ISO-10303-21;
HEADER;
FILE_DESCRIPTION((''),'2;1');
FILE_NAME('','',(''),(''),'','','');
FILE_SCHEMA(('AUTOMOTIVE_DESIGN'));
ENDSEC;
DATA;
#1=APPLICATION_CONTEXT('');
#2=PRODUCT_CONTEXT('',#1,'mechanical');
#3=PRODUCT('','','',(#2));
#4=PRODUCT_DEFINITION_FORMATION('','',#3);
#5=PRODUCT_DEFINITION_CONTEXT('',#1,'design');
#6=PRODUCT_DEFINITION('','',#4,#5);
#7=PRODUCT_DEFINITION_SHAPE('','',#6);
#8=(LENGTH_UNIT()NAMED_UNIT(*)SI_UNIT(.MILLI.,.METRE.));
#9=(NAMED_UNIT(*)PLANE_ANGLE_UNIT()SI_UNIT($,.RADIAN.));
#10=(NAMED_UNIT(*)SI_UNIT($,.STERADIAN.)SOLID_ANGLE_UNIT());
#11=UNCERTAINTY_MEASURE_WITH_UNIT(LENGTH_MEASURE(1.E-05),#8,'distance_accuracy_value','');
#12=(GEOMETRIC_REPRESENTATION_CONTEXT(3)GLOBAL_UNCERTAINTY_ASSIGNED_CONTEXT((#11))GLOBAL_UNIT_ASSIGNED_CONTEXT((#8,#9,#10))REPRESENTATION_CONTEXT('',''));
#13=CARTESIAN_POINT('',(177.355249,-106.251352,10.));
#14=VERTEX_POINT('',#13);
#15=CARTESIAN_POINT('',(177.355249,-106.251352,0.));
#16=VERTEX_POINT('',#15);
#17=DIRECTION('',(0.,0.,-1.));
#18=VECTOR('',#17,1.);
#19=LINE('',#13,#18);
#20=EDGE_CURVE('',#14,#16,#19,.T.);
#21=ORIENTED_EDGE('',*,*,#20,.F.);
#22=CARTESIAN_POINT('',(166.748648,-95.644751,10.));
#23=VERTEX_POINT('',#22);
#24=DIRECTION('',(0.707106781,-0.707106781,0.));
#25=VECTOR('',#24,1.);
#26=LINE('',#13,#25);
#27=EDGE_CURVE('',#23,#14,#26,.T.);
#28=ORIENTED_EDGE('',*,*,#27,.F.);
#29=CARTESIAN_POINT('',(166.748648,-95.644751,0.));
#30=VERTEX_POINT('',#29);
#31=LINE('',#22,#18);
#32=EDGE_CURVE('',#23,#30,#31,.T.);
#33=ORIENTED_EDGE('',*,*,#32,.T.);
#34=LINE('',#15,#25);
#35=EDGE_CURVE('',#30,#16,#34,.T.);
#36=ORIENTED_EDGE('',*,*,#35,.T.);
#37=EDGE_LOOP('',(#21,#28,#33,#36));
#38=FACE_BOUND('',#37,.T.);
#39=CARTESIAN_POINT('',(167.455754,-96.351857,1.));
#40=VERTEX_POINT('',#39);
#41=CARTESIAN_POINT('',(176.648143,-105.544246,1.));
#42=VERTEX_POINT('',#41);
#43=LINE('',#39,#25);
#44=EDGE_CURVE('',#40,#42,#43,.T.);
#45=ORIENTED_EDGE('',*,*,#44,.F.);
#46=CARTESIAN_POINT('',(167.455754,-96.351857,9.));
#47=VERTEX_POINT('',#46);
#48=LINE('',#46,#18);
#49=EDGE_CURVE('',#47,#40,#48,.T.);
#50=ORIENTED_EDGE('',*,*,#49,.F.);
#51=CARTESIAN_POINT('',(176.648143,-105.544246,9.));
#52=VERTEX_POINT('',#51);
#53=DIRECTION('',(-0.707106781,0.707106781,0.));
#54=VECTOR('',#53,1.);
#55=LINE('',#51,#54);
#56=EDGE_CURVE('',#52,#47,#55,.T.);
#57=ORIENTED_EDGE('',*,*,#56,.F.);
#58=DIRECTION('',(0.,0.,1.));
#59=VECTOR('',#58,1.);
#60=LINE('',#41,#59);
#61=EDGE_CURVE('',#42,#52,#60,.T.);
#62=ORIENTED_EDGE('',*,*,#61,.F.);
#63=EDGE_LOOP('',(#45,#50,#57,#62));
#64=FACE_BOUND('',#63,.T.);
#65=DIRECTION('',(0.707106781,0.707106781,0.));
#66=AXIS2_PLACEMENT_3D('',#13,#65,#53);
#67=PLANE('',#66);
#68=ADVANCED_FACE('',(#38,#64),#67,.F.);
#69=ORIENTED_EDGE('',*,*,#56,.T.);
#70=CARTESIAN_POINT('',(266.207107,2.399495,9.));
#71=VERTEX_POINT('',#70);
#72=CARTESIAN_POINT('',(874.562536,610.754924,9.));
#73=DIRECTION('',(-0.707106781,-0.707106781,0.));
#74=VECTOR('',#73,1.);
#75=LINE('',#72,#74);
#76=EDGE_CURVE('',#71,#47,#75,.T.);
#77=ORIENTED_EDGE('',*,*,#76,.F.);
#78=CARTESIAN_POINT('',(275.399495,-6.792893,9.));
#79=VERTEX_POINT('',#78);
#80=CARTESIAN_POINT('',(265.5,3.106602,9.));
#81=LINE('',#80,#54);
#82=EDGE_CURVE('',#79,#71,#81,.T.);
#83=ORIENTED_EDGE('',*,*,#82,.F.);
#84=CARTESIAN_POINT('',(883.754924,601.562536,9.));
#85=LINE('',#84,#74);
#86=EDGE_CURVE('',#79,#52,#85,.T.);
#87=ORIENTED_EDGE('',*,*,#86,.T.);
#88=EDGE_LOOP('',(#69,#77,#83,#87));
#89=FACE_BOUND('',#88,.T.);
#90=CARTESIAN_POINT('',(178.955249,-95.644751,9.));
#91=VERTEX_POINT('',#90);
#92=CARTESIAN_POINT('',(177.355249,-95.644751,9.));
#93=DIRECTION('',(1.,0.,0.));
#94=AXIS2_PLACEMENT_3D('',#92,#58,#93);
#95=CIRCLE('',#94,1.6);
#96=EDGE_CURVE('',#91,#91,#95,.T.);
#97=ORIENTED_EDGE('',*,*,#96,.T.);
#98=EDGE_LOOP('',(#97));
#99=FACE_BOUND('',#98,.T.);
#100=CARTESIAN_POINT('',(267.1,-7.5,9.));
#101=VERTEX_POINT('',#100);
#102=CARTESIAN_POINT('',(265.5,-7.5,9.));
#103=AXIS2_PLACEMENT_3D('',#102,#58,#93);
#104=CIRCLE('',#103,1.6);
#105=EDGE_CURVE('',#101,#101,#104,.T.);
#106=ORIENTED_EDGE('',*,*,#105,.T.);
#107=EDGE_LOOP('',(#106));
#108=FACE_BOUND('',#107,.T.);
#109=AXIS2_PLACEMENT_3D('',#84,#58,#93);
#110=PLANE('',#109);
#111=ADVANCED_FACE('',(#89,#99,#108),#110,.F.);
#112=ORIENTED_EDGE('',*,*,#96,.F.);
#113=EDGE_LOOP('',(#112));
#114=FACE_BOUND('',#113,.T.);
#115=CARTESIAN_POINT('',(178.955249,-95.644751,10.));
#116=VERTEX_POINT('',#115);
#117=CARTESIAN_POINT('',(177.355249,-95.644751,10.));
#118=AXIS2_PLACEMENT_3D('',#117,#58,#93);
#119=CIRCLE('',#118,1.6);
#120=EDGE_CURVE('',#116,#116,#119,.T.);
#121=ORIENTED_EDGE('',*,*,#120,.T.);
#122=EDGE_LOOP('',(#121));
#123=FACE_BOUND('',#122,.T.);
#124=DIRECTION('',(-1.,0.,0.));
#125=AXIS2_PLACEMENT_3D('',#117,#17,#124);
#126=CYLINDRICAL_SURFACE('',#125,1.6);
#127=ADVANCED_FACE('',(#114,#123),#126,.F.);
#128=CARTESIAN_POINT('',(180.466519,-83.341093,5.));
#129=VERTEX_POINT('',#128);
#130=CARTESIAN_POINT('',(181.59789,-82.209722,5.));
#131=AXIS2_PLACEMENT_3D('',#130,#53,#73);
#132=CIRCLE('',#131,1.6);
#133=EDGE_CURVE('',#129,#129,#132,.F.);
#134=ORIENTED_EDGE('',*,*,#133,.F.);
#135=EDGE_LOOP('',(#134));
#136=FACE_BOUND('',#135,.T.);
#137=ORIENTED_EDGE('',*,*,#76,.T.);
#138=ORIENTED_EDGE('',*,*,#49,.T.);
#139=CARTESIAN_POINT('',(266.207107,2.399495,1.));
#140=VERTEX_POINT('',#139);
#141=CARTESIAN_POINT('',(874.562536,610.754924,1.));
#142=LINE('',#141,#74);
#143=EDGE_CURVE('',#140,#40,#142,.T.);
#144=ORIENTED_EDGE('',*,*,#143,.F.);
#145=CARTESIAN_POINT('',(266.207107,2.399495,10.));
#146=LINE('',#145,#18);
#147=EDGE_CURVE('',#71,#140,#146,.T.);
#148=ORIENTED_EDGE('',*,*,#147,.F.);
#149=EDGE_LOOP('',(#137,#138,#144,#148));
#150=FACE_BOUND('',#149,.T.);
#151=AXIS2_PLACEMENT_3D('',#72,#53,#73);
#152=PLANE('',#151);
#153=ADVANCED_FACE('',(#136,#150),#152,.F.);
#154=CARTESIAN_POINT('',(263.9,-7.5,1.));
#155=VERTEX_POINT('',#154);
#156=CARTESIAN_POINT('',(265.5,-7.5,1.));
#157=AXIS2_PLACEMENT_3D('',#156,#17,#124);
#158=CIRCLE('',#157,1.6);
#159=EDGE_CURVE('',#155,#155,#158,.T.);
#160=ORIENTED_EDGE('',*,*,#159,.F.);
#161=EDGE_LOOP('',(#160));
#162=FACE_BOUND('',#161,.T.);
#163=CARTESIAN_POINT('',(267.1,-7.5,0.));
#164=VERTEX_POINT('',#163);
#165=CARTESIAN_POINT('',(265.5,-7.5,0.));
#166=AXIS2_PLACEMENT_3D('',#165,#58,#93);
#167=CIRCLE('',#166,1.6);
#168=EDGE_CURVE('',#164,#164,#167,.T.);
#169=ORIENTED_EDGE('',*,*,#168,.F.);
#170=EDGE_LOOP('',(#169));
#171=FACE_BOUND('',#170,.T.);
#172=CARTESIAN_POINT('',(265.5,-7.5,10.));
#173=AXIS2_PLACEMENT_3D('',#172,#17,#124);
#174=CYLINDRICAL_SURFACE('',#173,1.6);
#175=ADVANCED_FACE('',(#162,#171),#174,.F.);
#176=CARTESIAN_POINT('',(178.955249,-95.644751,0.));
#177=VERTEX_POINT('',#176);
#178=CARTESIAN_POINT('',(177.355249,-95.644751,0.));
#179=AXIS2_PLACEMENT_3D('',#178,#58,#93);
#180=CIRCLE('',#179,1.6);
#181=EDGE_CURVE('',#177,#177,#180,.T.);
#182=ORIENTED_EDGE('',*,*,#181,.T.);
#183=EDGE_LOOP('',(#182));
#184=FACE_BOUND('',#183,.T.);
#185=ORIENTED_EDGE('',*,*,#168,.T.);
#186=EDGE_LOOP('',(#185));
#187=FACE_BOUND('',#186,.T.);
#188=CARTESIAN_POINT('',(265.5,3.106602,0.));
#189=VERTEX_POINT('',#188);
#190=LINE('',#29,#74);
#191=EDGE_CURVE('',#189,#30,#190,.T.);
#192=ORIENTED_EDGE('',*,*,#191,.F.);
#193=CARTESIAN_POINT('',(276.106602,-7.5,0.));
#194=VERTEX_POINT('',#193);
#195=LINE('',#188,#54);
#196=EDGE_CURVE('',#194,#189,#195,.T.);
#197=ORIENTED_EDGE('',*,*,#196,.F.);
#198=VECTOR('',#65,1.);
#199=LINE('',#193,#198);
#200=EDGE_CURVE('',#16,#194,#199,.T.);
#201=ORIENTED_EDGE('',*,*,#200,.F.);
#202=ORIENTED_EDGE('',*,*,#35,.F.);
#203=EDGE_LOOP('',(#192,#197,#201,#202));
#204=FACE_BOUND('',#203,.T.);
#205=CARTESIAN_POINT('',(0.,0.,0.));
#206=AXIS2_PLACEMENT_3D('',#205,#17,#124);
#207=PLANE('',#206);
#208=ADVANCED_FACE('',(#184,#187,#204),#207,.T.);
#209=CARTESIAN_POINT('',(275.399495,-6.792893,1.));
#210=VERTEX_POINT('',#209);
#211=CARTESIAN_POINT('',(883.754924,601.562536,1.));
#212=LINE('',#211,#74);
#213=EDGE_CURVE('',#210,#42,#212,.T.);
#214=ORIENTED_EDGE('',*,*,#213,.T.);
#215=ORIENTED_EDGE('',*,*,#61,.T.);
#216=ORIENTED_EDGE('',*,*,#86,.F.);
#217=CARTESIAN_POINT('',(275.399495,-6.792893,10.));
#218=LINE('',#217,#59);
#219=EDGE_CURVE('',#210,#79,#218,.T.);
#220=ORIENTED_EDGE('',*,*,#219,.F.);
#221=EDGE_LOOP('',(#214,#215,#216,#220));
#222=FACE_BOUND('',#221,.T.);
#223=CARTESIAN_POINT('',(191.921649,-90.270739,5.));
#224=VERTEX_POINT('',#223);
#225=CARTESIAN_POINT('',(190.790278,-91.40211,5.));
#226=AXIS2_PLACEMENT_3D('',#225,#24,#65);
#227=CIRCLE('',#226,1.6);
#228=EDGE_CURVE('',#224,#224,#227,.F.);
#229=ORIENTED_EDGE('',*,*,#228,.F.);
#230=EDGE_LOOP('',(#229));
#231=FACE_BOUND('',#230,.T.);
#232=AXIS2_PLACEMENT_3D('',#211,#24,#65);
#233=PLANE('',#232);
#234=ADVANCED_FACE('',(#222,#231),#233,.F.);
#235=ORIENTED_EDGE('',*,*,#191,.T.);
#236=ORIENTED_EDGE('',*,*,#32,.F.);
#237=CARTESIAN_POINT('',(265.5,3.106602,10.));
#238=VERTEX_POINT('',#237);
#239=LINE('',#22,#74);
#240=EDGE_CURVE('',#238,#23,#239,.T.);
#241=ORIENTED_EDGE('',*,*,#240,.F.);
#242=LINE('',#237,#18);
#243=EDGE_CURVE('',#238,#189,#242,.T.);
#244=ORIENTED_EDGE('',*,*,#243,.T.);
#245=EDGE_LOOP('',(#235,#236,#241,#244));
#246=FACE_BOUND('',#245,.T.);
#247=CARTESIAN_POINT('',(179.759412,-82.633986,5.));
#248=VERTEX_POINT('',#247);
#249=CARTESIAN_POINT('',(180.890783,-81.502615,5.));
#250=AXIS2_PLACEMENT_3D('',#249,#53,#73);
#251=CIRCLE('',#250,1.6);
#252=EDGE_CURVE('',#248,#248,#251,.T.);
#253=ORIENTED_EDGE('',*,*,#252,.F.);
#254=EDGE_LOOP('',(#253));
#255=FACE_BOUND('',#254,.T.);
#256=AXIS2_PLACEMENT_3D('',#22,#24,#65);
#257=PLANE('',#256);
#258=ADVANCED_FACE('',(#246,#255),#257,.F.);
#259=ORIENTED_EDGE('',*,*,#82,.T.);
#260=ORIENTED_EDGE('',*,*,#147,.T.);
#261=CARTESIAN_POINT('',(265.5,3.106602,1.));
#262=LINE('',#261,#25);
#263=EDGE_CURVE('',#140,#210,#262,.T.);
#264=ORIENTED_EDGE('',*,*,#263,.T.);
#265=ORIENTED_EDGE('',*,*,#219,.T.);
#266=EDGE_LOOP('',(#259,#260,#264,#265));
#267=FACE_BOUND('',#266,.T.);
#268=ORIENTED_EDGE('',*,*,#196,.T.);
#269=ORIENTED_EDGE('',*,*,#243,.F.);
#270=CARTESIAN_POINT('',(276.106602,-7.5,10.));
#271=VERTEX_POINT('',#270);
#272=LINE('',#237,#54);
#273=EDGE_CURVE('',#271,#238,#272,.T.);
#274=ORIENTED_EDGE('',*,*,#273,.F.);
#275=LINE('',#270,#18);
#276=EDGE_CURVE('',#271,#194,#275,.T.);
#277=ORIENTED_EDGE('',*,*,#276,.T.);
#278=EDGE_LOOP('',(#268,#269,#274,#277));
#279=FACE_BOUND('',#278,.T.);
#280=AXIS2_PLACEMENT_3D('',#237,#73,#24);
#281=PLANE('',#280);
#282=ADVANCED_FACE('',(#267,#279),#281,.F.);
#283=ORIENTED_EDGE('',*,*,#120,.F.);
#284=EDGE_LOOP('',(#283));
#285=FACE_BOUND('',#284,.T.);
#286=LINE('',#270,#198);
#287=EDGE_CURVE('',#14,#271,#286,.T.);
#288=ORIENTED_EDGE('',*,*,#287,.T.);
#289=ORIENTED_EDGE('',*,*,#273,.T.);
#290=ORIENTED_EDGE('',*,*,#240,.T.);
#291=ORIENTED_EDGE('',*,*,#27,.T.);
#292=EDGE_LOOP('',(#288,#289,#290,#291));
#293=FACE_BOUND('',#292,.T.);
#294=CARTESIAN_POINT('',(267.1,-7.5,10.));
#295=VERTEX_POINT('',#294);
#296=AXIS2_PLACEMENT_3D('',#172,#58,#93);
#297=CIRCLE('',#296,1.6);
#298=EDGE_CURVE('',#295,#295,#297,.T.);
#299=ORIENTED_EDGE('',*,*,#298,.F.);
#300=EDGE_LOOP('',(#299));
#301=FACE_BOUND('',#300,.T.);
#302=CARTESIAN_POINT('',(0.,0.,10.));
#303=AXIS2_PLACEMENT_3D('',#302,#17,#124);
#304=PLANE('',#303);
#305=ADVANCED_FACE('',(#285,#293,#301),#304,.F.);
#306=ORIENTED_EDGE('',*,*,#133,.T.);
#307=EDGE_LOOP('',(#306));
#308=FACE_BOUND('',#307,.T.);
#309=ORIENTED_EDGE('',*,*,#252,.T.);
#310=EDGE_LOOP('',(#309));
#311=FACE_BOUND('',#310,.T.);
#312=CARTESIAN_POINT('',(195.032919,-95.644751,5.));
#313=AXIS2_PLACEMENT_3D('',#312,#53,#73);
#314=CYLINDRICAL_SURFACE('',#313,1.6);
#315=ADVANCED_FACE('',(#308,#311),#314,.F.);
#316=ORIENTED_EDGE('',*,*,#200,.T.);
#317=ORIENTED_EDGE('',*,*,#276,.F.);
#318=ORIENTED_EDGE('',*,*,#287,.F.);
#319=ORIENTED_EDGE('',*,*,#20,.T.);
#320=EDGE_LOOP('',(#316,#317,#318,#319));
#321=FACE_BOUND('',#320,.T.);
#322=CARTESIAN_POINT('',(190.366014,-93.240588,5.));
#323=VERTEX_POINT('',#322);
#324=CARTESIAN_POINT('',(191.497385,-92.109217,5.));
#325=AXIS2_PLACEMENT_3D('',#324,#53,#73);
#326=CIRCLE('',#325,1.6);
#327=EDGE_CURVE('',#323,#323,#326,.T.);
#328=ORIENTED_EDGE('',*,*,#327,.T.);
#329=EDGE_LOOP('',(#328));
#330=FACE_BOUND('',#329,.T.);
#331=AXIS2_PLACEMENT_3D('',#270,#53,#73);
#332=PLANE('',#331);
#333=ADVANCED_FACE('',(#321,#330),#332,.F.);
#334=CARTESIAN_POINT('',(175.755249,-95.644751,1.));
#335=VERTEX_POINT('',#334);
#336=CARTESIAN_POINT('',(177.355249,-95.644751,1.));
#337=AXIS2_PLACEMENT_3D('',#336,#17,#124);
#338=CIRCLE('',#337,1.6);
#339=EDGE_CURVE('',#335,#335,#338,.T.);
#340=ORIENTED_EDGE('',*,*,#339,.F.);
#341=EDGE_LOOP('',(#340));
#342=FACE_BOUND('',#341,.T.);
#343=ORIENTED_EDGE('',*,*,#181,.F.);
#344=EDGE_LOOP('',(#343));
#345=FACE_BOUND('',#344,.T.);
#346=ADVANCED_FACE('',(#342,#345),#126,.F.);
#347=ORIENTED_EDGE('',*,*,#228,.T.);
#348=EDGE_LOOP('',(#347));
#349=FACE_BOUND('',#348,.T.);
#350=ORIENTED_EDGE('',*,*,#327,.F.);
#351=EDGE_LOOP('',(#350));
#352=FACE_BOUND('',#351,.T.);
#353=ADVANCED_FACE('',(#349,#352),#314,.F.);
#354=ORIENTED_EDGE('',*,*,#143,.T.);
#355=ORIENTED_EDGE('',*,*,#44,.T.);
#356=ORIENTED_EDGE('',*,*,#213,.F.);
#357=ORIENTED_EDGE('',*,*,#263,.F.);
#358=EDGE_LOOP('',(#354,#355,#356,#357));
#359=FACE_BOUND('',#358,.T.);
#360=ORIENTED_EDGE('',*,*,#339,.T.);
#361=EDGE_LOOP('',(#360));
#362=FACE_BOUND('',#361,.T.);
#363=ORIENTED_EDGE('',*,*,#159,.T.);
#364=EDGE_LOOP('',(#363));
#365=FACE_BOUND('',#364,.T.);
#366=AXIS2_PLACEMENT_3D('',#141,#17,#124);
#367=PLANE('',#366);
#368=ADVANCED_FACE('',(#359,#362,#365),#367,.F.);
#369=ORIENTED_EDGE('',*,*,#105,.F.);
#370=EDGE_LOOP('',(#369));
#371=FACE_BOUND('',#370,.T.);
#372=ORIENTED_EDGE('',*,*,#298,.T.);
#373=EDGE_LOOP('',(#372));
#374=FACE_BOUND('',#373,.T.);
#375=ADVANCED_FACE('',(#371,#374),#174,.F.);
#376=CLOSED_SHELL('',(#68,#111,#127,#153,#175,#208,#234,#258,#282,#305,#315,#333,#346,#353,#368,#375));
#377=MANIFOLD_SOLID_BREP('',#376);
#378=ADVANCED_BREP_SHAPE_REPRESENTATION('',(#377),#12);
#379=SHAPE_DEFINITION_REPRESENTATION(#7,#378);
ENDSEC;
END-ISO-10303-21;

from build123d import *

# Parameters (mm, degrees)
SKETCH_1_R          = 1.6
EXTRUDE_1_DEPTH     = 10
SKETCH_2_R          = 1.6
CUT_EXTRUDE_1_DEPTH = 20
SKETCH_3_W          = 8
SKETCH_3_H          = 13
CUT_EXTRUDE_2_DEPTH = 1000


with BuildPart() as part:
    # ｽｹｯﾁ1 → ﾎﾞｽ - 押し出し1 (new body)
    with BuildSketch(Plane.XY):
        Polygon((177.355249325, -106.251352393), (166.748647607, -95.644750675), (265.5, 3.106601718), (276.106601718, -7.5), align=None)
        with Locations((265.5, -7.5)):
            Circle(SKETCH_1_R, mode=Mode.SUBTRACT)
        with Locations((177.355249325, -95.644750675)):
            Circle(SKETCH_1_R, mode=Mode.SUBTRACT)
    extrude(amount=EXTRUDE_1_DEPTH)

    # ｽｹｯﾁ2 → ｶｯﾄ - 押し出し1 (cut)
    with BuildSketch(Plane(origin=(131.196699141, -131.196699141, 0), x_dir=(0.7071067811865585, 0.7071067811865366, 0), z_dir=(-0.7071067811865366, 0.7071067811865585, 0))):
        with Locations(Location((70.278047689, -5, 0), (0, 0, 180))):
            Circle(SKETCH_2_R)
    extrude(amount=-CUT_EXTRUDE_1_DEPTH, mode=Mode.SUBTRACT)

    # ｽｹｯﾁ3 → ｶｯﾄ - 押し出し2 (cut)
    with BuildSketch(Plane(origin=(35.551948466, 35.551948466, 0), x_dir=(0, 0, 1), z_dir=(-0.7071067811865581, -0.7071067811865369, 0))):
        with Locations((5, -193.040151264)):
            Rectangle(SKETCH_3_W, SKETCH_3_H)
    extrude(amount=-CUT_EXTRUDE_2_DEPTH, mode=Mode.SUBTRACT)


solid = part.part
